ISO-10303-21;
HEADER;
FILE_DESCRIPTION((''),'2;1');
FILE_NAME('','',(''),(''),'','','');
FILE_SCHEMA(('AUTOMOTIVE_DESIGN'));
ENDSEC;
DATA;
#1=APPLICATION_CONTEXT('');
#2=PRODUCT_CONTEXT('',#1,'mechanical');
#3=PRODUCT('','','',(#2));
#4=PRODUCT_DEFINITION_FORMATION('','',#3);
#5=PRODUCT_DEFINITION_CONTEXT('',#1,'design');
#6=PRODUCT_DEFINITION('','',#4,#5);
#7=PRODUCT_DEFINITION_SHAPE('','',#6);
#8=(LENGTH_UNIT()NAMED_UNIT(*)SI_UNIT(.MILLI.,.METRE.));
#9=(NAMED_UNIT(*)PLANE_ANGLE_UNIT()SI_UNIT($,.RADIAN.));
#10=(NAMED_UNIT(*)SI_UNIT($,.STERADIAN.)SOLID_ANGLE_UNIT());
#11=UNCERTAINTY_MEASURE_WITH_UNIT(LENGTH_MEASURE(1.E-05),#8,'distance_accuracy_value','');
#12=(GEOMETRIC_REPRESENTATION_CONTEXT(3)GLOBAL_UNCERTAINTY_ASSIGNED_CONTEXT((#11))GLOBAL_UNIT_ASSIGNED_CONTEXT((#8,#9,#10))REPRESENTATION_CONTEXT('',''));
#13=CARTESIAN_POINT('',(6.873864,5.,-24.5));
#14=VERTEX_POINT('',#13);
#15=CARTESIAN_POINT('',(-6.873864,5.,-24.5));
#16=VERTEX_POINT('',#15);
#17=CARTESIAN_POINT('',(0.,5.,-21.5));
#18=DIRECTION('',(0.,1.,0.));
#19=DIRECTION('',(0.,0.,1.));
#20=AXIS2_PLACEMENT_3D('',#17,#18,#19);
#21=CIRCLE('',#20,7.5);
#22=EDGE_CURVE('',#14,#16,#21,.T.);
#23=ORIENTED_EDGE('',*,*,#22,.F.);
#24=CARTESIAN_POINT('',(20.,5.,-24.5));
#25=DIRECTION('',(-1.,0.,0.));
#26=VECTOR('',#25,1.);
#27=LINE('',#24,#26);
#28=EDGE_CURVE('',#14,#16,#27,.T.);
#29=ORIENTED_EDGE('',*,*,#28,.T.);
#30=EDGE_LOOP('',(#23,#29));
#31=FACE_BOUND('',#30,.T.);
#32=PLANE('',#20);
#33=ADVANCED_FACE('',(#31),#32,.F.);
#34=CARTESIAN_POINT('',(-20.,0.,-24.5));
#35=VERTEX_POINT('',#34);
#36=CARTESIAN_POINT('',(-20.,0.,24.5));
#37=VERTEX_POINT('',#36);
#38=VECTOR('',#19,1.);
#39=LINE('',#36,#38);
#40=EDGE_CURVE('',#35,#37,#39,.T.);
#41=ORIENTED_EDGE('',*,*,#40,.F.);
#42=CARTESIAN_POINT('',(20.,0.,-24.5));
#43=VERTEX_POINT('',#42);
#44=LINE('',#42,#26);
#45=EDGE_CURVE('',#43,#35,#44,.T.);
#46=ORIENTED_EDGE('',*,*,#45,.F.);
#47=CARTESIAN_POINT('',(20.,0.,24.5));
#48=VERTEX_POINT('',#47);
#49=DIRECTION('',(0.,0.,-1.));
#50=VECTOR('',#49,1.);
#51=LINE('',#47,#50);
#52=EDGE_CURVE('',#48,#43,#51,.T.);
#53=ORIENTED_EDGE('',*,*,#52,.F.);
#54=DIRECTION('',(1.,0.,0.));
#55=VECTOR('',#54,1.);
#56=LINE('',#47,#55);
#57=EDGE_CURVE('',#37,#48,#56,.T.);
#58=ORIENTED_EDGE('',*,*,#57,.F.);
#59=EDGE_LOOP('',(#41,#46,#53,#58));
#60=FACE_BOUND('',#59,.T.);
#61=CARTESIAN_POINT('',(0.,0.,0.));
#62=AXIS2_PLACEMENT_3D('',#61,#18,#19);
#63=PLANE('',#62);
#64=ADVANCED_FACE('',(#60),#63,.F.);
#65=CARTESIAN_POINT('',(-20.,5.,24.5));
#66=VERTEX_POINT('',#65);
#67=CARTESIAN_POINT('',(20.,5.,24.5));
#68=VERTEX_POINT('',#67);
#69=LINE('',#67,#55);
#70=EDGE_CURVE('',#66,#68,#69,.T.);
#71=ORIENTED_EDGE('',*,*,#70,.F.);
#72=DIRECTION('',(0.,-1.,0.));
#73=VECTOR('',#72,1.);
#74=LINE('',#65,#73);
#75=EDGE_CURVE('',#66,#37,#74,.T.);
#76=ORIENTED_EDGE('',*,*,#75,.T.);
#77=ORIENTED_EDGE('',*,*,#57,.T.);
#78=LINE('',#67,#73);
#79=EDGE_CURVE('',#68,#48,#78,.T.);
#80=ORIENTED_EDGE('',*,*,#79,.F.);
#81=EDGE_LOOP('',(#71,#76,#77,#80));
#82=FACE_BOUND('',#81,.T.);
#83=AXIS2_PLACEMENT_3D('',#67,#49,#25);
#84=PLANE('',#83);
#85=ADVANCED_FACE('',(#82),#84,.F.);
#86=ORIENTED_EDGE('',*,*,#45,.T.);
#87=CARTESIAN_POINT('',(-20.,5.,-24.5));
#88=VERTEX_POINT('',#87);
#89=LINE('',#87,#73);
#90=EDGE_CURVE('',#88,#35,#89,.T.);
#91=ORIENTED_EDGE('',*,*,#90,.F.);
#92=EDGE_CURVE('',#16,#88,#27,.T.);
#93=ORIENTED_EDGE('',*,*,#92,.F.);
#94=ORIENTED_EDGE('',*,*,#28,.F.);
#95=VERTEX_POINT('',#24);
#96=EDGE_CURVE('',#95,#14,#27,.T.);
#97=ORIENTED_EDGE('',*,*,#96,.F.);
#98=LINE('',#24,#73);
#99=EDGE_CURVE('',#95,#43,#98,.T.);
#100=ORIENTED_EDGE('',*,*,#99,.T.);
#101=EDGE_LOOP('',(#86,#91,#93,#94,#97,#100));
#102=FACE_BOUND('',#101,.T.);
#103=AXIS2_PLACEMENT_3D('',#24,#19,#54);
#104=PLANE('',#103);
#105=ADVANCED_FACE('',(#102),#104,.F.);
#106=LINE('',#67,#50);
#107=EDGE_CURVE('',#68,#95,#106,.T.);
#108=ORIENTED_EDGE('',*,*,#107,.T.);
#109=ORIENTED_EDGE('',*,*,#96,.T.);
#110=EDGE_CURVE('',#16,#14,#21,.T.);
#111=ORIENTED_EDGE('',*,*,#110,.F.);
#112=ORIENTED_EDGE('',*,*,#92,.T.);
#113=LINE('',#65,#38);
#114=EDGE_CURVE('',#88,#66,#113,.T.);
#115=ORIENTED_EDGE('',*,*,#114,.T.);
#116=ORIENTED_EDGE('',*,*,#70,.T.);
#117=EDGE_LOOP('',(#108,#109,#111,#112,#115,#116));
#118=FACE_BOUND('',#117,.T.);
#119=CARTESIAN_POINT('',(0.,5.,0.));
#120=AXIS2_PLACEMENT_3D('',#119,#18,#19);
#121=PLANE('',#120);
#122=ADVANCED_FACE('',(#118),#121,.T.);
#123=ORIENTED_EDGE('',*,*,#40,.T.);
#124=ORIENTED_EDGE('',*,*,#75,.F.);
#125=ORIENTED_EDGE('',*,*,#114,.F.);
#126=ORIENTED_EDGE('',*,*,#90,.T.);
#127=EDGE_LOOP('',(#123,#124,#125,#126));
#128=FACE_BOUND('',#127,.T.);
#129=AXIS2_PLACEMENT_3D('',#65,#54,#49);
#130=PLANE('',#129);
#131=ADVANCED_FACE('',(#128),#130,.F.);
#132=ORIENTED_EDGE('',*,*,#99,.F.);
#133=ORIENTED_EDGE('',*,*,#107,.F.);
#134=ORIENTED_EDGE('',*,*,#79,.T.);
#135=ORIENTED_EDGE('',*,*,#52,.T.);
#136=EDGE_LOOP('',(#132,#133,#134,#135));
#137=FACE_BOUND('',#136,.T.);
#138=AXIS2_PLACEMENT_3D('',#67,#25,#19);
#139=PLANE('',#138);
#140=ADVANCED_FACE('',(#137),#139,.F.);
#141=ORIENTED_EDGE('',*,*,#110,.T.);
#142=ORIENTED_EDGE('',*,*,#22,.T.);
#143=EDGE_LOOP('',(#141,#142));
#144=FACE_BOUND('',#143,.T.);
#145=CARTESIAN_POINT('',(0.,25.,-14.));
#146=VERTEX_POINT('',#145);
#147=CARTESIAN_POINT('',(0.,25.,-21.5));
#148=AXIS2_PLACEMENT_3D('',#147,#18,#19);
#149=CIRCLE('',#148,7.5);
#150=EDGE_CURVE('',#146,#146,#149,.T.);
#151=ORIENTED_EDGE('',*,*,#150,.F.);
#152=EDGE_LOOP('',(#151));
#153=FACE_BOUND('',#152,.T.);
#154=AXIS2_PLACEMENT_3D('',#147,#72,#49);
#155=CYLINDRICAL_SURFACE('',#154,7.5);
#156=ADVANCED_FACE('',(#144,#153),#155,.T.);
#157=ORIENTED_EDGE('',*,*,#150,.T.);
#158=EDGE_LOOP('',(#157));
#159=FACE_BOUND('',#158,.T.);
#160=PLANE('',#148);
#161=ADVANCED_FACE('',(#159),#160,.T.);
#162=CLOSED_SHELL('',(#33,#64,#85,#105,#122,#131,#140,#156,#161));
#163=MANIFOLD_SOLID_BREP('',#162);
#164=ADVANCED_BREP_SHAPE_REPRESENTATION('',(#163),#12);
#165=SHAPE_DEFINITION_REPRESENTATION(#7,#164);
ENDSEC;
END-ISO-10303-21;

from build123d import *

# Parameters (mm, degrees)
SKETCH1_W           = 40
SKETCH1_H           = 49
BOSS_EXTRUDE1_DEPTH = 5
SKETCH2_R           = 7.5
BOSS_EXTRUDE2_DEPTH = 20


with BuildPart() as part:
    # Sketch1 → Boss-Extrude1 (new body)
    with BuildSketch(Plane(origin=(0, 0, 0), x_dir=(1, 0, 0), z_dir=(0, 1, 0))):
        Rectangle(SKETCH1_W, SKETCH1_H)
    extrude(amount=BOSS_EXTRUDE1_DEPTH)

    # Sketch2 → Boss-Extrude2 (add)
    with BuildSketch(Plane(origin=(0, 5, 0), x_dir=(1, 0, 0), z_dir=(0, 1, 0))):
        with Locations(Location((0, 21.5, 0), (0, 0, 23.578178478))):
            Circle(SKETCH2_R)
    extrude(amount=BOSS_EXTRUDE2_DEPTH)


solid = part.part
